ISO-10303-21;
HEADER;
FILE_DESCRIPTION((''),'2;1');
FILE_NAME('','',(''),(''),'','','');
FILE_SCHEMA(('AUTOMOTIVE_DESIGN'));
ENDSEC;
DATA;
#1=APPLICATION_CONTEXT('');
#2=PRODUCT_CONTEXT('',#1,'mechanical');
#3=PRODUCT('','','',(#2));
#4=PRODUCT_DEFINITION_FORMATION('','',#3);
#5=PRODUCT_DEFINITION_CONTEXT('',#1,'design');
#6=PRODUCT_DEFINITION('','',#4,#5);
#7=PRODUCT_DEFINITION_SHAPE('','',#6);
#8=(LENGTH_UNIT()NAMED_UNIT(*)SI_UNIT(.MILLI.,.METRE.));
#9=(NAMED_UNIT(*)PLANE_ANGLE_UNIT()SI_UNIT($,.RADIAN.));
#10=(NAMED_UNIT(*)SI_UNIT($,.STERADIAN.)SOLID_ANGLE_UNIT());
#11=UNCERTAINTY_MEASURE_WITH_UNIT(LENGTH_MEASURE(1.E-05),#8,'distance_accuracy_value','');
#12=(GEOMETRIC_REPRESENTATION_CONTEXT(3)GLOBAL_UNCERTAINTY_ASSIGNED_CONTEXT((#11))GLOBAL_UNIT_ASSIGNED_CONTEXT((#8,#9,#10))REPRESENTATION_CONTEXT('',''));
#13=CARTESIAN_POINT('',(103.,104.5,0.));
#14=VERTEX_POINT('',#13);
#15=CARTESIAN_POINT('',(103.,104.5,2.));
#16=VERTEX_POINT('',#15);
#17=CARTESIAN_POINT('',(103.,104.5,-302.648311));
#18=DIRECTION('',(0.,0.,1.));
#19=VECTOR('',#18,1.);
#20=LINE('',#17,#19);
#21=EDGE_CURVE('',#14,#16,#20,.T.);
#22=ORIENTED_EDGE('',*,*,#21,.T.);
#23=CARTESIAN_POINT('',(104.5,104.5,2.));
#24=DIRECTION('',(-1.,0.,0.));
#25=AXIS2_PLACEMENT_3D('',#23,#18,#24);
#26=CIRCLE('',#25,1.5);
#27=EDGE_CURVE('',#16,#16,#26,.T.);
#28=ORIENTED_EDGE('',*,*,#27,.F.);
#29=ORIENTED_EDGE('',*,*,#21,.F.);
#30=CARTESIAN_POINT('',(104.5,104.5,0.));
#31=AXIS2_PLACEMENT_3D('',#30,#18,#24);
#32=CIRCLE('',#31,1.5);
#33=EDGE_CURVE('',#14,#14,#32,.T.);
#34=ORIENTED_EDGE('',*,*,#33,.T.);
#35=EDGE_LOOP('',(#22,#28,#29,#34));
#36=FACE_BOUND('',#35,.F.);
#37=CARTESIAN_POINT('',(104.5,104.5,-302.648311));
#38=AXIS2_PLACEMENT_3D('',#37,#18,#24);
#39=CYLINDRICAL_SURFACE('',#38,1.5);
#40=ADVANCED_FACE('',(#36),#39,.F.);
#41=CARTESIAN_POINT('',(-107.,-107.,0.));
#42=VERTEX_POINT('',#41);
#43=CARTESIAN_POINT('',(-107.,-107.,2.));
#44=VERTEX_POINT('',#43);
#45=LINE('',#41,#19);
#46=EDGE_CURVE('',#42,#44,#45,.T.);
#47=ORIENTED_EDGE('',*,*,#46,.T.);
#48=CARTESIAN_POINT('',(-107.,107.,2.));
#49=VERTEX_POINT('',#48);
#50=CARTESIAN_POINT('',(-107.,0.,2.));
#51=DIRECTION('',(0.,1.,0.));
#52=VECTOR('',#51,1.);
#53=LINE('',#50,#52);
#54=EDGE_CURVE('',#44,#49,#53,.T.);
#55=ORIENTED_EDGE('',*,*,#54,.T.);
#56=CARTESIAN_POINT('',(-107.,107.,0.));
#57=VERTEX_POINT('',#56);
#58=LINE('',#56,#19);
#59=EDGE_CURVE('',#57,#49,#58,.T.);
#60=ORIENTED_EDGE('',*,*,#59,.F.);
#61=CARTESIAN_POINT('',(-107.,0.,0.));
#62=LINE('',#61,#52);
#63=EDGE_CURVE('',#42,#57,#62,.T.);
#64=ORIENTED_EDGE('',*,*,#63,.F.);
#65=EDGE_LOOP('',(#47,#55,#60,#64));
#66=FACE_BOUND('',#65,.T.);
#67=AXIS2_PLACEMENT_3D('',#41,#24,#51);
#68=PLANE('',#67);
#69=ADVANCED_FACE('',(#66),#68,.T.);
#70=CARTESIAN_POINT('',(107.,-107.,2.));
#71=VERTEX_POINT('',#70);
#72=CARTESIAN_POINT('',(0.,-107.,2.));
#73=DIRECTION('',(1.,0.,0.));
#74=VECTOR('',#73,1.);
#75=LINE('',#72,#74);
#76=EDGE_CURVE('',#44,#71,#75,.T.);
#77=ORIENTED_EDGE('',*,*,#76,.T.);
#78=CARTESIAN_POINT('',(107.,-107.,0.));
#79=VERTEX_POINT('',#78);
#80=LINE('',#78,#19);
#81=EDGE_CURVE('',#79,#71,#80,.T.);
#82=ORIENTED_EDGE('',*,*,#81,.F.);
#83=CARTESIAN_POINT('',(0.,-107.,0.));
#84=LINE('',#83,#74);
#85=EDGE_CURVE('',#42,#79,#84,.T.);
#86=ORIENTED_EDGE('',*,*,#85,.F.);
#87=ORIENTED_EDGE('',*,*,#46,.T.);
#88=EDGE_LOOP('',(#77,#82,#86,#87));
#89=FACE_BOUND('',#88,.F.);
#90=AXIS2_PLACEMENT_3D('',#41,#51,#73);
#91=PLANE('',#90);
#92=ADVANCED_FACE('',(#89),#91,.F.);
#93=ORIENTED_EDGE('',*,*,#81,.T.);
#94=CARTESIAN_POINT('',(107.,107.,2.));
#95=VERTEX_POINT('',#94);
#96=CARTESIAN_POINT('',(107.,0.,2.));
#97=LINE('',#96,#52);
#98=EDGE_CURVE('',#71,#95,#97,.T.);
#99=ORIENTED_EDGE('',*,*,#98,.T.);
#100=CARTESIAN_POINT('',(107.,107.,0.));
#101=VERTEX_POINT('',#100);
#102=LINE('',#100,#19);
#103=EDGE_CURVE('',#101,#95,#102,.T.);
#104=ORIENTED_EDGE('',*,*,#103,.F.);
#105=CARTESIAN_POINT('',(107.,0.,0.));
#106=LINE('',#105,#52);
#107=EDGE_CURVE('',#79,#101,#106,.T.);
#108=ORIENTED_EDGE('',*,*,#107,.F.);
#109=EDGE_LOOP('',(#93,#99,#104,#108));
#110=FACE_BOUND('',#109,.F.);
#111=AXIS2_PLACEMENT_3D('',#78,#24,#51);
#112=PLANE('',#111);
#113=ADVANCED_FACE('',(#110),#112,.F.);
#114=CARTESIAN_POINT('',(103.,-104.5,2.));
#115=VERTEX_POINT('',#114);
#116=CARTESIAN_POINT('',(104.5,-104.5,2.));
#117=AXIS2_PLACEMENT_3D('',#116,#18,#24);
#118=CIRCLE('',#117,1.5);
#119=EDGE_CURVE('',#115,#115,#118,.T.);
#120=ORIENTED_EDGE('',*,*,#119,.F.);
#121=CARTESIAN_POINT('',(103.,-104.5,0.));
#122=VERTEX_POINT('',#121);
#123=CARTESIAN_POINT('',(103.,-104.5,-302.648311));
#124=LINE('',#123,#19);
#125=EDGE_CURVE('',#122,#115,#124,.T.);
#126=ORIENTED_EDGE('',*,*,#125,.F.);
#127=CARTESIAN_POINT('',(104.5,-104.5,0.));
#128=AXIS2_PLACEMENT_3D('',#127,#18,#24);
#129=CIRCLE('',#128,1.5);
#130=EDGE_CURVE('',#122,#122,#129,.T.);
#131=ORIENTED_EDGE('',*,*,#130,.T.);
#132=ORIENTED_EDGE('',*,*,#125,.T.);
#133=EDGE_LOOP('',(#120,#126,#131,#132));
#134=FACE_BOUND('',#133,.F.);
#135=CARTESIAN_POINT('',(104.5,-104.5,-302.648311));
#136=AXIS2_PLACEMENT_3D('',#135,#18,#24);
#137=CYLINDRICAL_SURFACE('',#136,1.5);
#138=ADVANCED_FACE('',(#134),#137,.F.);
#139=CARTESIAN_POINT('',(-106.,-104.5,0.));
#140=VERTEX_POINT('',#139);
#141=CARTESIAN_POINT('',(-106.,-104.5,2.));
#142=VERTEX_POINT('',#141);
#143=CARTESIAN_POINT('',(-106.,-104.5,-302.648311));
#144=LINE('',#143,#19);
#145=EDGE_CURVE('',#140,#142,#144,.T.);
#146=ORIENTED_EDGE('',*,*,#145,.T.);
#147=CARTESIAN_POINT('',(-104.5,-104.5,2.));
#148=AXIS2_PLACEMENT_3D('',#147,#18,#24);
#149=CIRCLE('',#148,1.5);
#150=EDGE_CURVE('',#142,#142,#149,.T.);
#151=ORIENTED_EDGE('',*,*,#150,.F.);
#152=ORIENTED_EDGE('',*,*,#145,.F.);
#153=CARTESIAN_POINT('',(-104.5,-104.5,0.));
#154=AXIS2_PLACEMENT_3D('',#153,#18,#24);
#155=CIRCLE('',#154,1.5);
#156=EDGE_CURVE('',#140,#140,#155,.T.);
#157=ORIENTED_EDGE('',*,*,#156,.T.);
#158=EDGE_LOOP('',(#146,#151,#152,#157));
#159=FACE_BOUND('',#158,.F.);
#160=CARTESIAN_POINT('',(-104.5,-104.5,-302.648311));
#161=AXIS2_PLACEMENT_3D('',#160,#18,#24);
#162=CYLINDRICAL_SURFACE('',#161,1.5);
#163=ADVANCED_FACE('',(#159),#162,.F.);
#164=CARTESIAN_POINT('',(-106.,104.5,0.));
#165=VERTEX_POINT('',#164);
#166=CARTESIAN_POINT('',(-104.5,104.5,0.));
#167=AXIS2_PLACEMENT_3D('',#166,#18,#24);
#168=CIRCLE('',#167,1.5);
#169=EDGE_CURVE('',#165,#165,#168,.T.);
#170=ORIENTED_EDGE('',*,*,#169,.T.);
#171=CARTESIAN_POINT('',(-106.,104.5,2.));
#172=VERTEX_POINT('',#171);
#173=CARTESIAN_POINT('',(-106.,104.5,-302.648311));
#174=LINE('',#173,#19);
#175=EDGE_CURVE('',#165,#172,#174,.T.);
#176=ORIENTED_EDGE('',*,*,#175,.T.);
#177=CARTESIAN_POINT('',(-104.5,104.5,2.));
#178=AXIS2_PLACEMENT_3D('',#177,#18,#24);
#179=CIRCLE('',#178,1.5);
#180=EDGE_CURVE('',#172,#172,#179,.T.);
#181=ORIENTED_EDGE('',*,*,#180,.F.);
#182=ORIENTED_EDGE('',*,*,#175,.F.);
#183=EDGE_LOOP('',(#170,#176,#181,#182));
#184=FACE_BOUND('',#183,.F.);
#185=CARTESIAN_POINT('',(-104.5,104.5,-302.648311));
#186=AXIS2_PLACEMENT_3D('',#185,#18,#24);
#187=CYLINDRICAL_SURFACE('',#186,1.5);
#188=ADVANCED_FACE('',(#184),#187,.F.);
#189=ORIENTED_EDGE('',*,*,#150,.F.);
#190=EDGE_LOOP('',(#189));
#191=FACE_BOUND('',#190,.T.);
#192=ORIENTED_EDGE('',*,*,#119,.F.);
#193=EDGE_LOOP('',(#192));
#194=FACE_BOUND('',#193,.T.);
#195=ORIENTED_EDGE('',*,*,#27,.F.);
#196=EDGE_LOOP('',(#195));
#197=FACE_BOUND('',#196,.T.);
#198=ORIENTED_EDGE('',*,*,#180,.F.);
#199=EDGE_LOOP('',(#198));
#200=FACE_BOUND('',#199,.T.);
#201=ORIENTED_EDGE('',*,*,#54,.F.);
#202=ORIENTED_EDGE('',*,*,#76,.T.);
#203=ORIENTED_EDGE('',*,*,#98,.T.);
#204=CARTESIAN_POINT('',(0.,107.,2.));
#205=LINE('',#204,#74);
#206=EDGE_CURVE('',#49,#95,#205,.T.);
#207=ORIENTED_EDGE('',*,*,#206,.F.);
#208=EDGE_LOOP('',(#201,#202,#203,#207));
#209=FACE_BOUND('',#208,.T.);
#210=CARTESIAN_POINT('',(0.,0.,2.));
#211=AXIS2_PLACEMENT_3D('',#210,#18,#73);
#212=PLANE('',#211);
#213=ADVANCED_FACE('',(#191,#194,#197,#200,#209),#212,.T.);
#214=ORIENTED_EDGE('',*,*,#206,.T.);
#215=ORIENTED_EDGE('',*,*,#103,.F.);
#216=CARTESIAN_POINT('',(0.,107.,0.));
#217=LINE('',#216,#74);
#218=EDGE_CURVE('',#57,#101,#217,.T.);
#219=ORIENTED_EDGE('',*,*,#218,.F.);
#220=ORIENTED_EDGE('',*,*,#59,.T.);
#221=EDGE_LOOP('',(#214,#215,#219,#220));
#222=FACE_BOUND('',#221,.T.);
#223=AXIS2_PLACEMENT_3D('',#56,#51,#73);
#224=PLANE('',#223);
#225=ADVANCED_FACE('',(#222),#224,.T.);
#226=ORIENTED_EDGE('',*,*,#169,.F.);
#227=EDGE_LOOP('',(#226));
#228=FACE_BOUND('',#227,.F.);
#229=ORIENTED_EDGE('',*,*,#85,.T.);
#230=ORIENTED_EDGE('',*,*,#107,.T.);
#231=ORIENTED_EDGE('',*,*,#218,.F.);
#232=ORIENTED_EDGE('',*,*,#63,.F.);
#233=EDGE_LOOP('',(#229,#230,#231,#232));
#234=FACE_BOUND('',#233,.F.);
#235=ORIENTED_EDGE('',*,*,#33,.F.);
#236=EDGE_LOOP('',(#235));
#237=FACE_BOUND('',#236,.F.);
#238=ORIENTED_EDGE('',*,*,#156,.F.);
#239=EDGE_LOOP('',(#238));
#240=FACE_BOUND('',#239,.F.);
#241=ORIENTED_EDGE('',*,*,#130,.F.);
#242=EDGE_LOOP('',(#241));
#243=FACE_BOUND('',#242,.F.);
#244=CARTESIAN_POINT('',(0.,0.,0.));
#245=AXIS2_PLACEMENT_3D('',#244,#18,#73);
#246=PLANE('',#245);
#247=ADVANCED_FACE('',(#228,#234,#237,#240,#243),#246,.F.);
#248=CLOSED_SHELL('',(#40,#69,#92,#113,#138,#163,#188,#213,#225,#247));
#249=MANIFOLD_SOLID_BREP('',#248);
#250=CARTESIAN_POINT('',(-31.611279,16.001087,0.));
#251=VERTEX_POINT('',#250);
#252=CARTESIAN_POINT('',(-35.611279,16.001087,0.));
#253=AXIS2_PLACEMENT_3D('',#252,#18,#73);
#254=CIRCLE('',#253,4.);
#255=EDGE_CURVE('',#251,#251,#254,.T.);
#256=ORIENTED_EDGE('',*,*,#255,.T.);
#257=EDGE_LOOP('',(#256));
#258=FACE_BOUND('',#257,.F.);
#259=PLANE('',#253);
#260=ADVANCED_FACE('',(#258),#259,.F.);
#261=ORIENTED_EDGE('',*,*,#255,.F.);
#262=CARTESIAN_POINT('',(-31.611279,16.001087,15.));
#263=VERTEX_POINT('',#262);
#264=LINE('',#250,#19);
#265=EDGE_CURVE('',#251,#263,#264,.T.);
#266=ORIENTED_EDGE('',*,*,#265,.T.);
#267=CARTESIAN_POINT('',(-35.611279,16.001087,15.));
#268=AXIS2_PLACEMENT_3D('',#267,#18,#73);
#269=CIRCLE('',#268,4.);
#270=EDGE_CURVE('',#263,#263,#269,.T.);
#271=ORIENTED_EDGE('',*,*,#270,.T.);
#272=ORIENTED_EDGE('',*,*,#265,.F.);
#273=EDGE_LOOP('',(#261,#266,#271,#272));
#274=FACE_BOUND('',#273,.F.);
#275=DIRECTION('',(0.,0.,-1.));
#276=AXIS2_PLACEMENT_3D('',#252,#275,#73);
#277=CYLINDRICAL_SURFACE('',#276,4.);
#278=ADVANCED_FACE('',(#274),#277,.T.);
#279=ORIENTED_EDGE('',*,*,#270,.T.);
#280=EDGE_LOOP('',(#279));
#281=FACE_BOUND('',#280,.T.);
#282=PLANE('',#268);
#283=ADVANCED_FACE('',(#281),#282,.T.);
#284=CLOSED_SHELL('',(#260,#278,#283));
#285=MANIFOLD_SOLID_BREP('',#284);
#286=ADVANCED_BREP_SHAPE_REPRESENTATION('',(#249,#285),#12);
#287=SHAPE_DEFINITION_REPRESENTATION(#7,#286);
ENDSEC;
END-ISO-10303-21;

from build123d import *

# Parameters (mm, degrees)
F0_W     = 214
F0_H     = 214
F1_DEPTH = 2
F2_D     = 3
F3_R     = 4
F4_DEPTH = 15


with BuildPart() as f1:
    # F0 (on Top) → F1 (new body)
    with BuildSketch(Plane.XY):
        Rectangle(F0_W, F0_H)
    extrude(amount=F1_DEPTH)

    # F2 (through all)
    with Locations(Plane(origin=(0, 0, 0), x_dir=(1, 0, 0), z_dir=(0, 0, -1))):
        with Locations((-104.5, 104.5), (104.5, 104.5), (-104.5, -104.5), (104.5, -104.5)):
            Hole(F2_D / 2)


with BuildPart() as f4:
    # F3 (on Top) → F4 (new body)
    with BuildSketch(Plane.XY):
        with Locations((-35.611279, 16.001087)):
            Circle(F3_R)
    extrude(amount=F4_DEPTH)


solid = Compound([f1.part, f4.part])
